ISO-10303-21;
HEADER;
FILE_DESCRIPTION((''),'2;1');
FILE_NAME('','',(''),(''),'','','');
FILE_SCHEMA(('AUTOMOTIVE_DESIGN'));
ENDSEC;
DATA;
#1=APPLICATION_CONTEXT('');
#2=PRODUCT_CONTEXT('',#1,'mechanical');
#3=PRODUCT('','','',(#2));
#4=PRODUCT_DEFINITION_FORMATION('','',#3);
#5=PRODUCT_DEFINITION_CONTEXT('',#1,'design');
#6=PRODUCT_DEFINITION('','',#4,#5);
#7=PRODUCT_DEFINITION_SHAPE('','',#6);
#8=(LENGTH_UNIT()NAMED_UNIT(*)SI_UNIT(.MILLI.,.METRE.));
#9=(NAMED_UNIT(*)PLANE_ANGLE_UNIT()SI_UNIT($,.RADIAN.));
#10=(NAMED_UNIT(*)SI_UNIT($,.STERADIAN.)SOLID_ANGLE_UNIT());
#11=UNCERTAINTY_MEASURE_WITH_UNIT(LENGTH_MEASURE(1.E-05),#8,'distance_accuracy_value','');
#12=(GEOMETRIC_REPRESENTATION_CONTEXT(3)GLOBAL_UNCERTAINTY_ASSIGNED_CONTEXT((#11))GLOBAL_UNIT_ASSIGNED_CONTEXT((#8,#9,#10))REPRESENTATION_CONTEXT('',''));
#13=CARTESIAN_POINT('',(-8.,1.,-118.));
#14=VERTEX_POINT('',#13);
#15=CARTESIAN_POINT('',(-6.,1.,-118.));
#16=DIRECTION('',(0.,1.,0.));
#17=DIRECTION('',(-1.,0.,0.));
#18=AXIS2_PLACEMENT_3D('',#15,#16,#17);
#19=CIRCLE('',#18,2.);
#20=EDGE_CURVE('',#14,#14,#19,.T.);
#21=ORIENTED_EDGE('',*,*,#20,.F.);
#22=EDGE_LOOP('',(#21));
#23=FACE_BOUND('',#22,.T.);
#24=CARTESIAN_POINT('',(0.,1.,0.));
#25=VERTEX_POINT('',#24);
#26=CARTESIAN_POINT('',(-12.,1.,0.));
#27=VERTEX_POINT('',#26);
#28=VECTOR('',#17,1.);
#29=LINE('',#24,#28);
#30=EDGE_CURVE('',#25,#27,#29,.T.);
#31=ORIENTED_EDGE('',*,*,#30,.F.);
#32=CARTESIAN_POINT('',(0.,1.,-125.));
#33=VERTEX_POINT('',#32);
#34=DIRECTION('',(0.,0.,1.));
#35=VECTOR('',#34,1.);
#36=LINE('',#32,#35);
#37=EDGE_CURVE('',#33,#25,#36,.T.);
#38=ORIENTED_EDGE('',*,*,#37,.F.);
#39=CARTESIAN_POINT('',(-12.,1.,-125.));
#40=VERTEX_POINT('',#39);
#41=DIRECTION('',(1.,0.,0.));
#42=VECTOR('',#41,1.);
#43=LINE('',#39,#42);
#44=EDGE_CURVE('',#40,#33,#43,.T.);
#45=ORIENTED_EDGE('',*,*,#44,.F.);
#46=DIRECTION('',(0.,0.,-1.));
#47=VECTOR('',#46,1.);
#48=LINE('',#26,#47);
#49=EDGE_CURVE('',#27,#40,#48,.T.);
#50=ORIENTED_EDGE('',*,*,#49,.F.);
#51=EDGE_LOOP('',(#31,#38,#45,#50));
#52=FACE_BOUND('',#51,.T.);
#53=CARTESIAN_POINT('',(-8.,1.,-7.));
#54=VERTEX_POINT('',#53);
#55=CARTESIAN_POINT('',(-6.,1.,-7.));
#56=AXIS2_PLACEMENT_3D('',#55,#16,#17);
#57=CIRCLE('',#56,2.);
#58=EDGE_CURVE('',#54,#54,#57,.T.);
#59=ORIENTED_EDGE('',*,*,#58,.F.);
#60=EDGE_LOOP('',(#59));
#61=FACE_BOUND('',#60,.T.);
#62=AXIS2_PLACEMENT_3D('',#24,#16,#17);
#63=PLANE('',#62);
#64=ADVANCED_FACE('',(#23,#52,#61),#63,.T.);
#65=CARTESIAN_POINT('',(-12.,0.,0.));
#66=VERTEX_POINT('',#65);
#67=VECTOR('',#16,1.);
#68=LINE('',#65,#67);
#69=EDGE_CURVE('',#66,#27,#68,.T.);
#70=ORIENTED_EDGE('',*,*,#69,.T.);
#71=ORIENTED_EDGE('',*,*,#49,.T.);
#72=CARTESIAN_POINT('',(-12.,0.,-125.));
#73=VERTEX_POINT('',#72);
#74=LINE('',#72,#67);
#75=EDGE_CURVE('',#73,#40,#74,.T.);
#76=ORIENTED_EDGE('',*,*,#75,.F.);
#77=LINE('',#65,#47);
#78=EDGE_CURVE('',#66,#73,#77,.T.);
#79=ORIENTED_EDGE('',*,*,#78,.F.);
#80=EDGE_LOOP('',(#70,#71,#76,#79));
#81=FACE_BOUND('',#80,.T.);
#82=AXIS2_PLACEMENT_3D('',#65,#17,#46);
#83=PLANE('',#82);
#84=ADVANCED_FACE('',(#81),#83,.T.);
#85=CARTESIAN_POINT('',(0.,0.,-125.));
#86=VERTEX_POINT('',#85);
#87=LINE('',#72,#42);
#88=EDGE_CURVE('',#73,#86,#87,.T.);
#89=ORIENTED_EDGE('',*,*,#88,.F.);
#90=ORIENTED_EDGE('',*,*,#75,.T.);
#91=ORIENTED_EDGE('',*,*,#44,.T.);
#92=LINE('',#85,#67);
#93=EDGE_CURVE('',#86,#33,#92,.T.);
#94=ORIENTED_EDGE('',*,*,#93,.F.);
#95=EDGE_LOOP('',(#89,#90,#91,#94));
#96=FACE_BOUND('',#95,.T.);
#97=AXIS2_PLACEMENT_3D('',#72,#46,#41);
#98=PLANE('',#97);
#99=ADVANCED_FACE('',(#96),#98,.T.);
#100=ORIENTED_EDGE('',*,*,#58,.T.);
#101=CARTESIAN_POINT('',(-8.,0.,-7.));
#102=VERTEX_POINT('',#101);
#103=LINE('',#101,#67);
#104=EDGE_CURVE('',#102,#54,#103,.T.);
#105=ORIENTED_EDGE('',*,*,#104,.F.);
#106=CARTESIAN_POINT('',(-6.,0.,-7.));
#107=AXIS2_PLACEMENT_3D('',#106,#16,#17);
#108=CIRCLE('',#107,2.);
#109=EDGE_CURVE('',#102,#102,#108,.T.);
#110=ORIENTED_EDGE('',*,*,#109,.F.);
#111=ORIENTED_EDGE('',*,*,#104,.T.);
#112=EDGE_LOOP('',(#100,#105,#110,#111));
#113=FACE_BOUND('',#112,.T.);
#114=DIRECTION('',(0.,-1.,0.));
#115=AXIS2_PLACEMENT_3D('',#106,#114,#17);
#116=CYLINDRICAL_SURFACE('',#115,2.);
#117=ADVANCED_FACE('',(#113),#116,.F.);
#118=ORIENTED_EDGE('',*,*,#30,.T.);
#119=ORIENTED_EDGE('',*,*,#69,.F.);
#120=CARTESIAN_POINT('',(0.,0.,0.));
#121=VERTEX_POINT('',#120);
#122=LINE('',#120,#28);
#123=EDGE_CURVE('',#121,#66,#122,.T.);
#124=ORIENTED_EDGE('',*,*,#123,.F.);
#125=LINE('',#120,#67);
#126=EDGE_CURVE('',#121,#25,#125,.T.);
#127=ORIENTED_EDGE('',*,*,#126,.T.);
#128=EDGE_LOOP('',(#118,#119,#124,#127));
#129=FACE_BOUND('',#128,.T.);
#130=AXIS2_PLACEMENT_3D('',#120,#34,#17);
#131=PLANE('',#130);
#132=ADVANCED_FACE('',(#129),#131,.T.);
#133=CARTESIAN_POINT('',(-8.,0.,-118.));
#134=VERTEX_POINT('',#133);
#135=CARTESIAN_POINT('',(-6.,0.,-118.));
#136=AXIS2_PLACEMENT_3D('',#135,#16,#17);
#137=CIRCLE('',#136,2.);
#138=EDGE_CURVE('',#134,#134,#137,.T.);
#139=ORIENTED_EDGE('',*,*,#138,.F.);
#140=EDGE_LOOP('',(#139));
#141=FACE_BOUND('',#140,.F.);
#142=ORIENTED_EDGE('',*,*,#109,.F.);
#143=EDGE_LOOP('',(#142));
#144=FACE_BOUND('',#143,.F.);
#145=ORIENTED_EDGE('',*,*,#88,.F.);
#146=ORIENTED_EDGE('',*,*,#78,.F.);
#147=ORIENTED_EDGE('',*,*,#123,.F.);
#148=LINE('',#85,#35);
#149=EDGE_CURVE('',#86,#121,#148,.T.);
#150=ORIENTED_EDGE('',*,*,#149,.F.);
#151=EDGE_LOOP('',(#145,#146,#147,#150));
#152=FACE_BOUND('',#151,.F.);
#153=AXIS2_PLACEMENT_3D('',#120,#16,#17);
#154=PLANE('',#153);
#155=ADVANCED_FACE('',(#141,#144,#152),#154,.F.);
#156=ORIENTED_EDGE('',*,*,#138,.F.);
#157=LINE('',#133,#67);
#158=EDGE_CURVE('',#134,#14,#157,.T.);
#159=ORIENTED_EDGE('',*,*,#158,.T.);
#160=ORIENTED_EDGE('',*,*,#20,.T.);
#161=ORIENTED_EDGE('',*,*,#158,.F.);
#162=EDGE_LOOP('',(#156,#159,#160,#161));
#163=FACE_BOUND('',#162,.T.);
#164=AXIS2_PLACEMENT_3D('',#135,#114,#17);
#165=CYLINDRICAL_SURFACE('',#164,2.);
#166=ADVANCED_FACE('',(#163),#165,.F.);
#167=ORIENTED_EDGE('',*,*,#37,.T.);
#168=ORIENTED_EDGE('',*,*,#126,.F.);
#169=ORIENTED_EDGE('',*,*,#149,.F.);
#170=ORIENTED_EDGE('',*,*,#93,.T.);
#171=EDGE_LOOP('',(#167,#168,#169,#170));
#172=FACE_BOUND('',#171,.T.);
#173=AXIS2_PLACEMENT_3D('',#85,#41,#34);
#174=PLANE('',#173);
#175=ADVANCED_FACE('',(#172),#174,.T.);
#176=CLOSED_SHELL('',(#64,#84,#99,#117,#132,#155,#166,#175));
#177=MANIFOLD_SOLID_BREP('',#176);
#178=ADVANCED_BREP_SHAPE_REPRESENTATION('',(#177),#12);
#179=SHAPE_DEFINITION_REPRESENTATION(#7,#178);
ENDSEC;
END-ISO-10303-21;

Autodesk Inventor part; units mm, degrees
ref_plane "YZ Plane" through (0, 0, 0) normal (1, 0, 0) x (0, 1, 0)
ref_plane "XZ Plane" through (0, 0, 0) normal (0, 1, 0) x (-1, 0, 0)
ref_plane "XY Plane" through (0, 0, 0) normal (0, 0, 1) x (1, 0, 0)
sketch "Sketch1" plane through (0, 0, 0) normal (0, 1, 0) x (-1, 0, 0)
  line L0 (0, 0) -> (12, 0)
  line L1 (12, 0) -> (12, -125)
  line L2 (12, -125) -> (0, -125)
  line L3 (0, -125) -> (0, 0)
  circle A0 centre (6, -7) radius 2
  circle A1 centre (6, -118) radius 2
  dimension "d0" = 12
  dimension "d1" = 125
  dimension "d2" = 4
  dimension "d6" = 7
  dimension "d7" = 6
  dimension "d36" = 4
  dimension "d37" = 111
  dimension "d38" = 7
extrude "Extrusion1" add sketch "Sketch1" along normal blind 1
sketch "Sketch4" plane through (0, 1, 0) normal (0, 1, 0) x (1, 0, 0)
  circle A0 centre (-6, 118) radius 2 projected
  line L0 (-6, 118) -> (-6, 62.5) construction
  circle A1 centre (-6, 62.5) radius 55.5
  point P0 (0, 0)
  point P1 (-6, 3.7)
  dimension "d39" = 55.5
properties part number "Heater Fixing Bar" material "Aluminum 6061"
